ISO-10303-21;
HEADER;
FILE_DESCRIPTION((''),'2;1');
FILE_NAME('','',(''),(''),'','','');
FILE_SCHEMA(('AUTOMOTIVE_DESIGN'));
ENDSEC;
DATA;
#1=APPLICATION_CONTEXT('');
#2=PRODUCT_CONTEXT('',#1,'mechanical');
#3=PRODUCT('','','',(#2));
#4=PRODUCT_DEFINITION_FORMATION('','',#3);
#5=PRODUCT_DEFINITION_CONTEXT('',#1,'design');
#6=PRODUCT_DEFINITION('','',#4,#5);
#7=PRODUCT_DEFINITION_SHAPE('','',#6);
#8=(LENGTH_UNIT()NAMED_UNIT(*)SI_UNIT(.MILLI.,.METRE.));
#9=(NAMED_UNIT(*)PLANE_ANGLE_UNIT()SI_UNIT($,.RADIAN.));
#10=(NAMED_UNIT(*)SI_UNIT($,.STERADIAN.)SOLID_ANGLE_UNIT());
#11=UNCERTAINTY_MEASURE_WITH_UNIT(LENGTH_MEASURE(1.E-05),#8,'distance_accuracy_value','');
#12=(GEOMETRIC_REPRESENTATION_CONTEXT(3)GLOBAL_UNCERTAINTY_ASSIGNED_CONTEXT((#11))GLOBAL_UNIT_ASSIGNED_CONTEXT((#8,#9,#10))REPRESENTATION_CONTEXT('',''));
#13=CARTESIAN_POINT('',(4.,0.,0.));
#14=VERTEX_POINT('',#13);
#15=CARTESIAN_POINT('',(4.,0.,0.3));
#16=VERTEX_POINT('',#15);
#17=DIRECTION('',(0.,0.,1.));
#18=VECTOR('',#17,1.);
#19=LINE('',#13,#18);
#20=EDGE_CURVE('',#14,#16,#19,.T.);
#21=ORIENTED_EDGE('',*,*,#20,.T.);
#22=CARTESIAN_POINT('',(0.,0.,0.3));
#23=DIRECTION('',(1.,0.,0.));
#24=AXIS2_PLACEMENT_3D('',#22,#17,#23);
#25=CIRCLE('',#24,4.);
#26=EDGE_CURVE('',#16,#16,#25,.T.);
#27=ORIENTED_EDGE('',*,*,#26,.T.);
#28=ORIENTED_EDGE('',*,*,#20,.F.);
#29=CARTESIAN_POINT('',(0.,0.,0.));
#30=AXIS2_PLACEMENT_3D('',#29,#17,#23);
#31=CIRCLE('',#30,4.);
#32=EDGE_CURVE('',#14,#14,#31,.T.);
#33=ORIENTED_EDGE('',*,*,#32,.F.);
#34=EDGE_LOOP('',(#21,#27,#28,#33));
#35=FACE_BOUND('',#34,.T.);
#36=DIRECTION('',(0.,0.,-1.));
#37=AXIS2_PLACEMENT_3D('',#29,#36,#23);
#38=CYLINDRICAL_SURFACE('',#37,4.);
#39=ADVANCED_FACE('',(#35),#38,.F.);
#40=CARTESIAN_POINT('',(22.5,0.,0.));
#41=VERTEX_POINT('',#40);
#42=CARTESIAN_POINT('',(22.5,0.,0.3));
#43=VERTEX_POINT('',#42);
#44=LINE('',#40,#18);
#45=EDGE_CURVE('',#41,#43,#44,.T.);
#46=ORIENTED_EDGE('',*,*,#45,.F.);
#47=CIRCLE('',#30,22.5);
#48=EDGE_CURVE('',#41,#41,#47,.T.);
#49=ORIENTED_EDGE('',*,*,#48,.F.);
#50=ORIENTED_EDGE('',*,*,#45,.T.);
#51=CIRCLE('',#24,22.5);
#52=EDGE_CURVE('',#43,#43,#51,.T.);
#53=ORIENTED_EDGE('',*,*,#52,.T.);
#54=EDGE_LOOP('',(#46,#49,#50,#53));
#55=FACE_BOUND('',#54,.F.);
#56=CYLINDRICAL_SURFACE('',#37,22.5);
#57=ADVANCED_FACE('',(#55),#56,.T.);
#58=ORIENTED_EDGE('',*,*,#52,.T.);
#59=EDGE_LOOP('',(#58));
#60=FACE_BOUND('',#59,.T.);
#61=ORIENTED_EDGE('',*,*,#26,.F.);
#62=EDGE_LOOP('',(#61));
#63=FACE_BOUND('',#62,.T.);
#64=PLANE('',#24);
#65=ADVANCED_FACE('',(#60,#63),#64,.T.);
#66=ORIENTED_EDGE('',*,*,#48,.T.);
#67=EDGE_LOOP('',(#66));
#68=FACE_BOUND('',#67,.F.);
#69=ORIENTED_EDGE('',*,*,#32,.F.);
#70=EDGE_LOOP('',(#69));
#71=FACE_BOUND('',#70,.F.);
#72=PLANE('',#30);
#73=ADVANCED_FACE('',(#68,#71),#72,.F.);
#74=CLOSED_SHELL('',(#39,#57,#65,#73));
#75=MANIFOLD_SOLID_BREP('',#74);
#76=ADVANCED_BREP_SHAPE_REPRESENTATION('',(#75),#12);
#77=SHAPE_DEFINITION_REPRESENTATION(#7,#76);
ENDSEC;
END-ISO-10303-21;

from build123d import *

# Parameters (mm, degrees)
SKETCH_R   = 22.5
SKETCH_R_2 = 4
PAD_DEPTH  = 0.3


with BuildPart() as part:
    # Sketch → Pad (new body)
    with BuildSketch(Plane.XY):
        Circle(SKETCH_R)
        Circle(SKETCH_R_2, mode=Mode.SUBTRACT)
    extrude(amount=PAD_DEPTH)


solid = part.part
